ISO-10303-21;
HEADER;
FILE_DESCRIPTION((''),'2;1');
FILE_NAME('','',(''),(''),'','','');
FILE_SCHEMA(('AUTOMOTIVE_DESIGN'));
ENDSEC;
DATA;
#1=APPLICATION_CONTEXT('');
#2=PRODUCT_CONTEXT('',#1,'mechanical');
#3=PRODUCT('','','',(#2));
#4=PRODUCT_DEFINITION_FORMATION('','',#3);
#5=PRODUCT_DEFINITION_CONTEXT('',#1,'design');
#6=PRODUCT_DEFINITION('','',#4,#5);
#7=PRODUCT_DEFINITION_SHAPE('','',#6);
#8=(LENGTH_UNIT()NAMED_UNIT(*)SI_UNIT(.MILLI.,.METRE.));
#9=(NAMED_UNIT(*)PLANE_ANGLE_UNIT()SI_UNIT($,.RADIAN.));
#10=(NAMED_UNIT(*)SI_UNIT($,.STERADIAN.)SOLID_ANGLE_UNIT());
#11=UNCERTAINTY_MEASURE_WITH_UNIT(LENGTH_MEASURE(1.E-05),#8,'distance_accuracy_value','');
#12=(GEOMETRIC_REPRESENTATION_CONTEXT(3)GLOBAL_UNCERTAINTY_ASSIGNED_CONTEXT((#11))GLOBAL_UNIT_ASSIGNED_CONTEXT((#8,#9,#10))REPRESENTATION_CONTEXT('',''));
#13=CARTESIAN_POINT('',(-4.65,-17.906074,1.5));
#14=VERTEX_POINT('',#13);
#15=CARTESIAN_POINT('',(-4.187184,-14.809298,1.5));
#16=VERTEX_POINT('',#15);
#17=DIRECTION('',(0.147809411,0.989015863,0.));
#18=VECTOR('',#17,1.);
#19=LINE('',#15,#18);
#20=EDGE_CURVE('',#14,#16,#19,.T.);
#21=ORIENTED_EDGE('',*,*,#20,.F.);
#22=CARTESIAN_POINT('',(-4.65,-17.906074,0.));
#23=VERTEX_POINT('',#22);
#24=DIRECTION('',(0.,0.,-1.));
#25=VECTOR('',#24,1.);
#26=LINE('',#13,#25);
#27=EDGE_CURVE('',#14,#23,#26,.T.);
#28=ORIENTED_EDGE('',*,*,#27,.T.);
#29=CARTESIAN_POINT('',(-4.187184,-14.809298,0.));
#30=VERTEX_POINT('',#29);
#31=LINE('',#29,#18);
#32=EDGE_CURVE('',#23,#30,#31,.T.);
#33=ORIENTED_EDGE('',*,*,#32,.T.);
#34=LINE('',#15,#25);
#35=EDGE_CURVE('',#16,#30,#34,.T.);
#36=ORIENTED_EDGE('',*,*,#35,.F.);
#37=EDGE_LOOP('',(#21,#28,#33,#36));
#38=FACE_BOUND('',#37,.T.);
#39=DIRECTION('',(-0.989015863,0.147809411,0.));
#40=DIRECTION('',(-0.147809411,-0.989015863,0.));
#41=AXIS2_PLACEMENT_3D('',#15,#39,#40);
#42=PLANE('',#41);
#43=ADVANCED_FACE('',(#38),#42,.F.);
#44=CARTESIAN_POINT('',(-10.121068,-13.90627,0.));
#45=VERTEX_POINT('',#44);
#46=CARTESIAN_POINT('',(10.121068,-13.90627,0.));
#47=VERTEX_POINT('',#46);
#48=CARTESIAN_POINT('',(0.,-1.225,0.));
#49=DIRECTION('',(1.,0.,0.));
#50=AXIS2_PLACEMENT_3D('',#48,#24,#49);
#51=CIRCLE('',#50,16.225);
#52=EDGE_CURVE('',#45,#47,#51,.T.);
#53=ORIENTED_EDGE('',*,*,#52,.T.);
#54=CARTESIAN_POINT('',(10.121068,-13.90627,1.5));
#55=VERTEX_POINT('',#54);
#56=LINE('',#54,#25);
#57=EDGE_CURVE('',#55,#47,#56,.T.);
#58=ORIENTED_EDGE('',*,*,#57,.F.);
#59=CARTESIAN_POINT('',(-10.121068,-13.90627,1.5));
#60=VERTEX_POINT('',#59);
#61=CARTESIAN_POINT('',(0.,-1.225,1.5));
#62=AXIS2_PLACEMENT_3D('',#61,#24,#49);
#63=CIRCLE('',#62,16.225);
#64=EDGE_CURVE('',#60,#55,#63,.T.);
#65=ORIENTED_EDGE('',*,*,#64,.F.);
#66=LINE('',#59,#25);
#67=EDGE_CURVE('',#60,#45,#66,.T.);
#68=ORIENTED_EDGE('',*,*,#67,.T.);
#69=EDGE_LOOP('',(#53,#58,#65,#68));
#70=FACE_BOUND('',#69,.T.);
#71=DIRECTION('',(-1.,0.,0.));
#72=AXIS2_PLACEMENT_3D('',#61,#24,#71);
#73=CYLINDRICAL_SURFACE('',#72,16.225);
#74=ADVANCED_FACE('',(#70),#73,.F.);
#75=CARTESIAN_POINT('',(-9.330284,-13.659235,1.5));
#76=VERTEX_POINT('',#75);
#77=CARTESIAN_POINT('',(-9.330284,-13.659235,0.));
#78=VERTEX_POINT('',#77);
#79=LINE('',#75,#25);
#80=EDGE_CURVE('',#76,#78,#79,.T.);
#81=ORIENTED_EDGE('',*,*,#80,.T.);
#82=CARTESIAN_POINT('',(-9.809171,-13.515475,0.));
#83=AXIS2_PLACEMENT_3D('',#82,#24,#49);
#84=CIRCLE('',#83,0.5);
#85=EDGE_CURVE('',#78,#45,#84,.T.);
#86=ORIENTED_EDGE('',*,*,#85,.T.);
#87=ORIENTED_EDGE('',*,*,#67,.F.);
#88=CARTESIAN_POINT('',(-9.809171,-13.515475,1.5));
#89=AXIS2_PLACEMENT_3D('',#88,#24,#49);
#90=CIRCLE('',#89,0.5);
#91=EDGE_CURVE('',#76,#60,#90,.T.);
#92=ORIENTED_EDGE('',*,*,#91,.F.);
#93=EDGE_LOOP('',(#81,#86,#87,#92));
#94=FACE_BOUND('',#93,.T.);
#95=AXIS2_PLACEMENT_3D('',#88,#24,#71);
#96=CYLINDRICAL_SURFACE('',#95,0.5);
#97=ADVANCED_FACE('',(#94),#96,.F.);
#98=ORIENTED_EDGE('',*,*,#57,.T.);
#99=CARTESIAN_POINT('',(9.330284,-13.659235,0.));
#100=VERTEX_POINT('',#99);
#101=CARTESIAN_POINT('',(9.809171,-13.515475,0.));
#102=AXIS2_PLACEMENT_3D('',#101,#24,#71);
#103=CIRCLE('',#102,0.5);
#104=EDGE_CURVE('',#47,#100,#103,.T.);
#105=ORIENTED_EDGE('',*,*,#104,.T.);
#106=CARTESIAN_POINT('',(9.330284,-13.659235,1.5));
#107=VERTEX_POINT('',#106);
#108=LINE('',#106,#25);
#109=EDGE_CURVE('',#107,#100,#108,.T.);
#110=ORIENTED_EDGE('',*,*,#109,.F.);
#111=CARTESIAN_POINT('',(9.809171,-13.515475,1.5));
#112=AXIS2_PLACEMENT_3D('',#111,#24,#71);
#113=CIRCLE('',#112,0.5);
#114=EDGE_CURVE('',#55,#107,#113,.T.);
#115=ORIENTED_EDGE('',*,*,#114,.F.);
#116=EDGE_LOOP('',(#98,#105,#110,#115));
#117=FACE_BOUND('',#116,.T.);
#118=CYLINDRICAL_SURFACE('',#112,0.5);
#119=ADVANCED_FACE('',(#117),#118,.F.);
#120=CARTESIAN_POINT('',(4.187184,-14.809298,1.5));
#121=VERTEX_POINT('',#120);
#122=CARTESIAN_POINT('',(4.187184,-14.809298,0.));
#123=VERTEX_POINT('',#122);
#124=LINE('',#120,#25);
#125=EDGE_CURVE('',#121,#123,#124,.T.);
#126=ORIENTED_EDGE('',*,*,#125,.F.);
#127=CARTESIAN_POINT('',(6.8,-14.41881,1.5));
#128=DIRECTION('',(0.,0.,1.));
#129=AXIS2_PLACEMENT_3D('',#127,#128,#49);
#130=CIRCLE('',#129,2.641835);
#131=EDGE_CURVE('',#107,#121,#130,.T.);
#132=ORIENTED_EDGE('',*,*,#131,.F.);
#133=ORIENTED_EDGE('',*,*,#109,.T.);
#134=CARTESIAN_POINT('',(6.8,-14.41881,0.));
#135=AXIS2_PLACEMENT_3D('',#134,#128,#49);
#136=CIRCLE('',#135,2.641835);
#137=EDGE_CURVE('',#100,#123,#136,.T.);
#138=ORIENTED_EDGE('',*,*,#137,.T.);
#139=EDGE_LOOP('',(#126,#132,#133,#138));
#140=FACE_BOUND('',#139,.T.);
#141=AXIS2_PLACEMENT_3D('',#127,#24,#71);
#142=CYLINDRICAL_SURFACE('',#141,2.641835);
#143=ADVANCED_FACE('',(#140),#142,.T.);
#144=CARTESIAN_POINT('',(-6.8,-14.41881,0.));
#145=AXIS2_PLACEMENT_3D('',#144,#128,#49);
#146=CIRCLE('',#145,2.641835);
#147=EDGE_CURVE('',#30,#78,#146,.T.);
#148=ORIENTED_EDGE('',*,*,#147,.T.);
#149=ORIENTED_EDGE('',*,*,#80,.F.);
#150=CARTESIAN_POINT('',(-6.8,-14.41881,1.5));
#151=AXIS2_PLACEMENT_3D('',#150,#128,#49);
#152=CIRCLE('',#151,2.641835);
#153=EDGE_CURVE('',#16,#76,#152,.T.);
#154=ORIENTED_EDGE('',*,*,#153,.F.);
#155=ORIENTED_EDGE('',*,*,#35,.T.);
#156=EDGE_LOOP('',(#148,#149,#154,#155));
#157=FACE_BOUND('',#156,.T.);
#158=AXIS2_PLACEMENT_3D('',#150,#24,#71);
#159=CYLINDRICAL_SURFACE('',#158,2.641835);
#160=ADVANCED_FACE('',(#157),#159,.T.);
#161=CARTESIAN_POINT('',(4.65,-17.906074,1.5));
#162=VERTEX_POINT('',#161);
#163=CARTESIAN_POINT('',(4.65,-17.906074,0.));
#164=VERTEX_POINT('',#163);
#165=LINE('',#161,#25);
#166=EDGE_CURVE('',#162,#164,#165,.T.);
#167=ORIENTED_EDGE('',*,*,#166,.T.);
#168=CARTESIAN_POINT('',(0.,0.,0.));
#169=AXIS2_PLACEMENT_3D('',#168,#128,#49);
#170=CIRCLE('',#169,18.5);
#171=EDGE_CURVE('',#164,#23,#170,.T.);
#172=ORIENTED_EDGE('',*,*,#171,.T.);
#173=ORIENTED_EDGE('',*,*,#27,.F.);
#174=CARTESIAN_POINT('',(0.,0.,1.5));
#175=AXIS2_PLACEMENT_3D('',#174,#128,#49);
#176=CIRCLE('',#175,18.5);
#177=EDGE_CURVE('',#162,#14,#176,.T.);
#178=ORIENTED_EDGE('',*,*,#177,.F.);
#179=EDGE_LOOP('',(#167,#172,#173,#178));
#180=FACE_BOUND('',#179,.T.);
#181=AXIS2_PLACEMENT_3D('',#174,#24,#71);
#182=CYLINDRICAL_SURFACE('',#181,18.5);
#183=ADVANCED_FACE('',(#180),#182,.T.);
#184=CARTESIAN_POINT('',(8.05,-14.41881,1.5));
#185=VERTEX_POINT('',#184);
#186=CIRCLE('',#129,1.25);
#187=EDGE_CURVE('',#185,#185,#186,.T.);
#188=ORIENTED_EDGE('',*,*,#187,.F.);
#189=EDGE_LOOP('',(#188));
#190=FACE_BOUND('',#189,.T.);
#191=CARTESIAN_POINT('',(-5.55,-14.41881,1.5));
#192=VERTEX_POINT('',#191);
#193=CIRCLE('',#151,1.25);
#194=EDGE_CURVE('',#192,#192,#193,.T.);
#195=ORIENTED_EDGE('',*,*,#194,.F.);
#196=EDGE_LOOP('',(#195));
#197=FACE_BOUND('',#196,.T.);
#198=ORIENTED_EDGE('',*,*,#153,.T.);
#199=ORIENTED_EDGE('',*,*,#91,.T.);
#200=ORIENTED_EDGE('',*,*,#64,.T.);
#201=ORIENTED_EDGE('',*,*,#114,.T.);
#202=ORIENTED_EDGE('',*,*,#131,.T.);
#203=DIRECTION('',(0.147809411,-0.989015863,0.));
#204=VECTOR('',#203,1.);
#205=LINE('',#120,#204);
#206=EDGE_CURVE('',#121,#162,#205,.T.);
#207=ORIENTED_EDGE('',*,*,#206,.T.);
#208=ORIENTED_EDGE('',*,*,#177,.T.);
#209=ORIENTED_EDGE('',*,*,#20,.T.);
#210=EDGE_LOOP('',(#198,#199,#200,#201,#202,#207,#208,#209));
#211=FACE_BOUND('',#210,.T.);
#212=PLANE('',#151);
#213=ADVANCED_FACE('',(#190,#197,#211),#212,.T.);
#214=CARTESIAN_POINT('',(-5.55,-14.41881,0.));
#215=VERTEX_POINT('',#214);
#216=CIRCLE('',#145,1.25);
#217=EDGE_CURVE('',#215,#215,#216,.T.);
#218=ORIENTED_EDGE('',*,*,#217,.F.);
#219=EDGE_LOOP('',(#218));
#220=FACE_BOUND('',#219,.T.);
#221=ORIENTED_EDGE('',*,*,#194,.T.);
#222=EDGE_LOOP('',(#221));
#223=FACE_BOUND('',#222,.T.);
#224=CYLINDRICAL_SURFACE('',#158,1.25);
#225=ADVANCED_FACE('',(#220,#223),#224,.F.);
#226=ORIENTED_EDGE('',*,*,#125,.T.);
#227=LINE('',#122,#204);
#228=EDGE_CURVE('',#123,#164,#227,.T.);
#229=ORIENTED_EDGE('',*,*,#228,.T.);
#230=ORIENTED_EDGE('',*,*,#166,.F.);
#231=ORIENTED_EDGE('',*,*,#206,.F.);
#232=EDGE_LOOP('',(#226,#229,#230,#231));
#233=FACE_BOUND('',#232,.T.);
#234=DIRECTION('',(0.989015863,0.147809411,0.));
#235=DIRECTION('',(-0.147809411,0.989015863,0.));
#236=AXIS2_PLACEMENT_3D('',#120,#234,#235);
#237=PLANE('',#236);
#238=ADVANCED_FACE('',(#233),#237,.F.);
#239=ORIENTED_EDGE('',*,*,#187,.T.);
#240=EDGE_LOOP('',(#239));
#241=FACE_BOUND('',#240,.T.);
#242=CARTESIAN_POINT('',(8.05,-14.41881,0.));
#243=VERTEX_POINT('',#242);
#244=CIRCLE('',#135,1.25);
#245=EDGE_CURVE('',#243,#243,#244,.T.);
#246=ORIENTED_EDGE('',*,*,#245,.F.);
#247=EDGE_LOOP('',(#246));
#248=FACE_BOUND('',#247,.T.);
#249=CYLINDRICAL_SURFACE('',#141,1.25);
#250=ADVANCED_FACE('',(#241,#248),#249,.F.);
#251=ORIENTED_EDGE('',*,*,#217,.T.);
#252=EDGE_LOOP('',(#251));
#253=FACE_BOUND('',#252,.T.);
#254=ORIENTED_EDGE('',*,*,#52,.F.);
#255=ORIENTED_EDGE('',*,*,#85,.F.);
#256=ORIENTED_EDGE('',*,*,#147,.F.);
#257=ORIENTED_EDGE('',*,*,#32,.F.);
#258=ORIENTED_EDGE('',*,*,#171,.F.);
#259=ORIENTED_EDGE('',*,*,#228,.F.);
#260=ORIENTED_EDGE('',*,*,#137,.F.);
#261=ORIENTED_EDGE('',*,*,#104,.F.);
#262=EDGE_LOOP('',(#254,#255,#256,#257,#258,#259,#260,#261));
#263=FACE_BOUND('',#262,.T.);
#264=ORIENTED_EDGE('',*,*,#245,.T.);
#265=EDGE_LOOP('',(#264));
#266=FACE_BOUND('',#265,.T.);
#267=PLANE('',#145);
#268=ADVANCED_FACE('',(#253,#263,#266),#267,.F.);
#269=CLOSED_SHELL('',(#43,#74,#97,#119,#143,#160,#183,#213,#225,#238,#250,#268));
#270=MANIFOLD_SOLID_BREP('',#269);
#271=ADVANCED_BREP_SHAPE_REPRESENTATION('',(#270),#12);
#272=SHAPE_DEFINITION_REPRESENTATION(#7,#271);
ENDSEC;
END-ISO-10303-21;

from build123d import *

# Parameters (mm, degrees)
SKETCH1_R           = 1.25
BOSS_EXTRUDE1_DEPTH = 1.5


with BuildPart() as part:
    # Sketch1 → Boss-Extrude1 (new body)
    with BuildSketch(Plane.XY):
        with BuildLine():
            Line((-4.187183708, -14.809298269), (-4.65, -17.906074388))
            ThreePointArc((-4.65, -17.906074388), (0, 18.5), (4.65, -17.906074388))
            Line((4.65, -17.906074388), (4.187183708, -14.809298269))
            ThreePointArc((4.187183708, -14.809298269), (6.223489354, -11.840647087), (9.330283518, -13.6592346))
            ThreePointArc((9.330283518, -13.6592346), (9.66008049, -13.992730113), (10.12106843, -13.906269607))
            ThreePointArc((10.12106843, -13.906269607), (0, 15), (-10.12106843, -13.906269607))
            ThreePointArc((-10.12106843, -13.906269607), (-9.66008049, -13.992730113), (-9.330283518, -13.6592346))
            ThreePointArc((-9.330283518, -13.6592346), (-6.223489354, -11.840647087), (-4.187183708, -14.809298269))
        make_face()
        with Locations((-6.8, -14.418810258)):
            Circle(SKETCH1_R, mode=Mode.SUBTRACT)
        with Locations((6.8, -14.418810258)):
            Circle(SKETCH1_R, mode=Mode.SUBTRACT)
    extrude(amount=BOSS_EXTRUDE1_DEPTH)


solid = part.part
